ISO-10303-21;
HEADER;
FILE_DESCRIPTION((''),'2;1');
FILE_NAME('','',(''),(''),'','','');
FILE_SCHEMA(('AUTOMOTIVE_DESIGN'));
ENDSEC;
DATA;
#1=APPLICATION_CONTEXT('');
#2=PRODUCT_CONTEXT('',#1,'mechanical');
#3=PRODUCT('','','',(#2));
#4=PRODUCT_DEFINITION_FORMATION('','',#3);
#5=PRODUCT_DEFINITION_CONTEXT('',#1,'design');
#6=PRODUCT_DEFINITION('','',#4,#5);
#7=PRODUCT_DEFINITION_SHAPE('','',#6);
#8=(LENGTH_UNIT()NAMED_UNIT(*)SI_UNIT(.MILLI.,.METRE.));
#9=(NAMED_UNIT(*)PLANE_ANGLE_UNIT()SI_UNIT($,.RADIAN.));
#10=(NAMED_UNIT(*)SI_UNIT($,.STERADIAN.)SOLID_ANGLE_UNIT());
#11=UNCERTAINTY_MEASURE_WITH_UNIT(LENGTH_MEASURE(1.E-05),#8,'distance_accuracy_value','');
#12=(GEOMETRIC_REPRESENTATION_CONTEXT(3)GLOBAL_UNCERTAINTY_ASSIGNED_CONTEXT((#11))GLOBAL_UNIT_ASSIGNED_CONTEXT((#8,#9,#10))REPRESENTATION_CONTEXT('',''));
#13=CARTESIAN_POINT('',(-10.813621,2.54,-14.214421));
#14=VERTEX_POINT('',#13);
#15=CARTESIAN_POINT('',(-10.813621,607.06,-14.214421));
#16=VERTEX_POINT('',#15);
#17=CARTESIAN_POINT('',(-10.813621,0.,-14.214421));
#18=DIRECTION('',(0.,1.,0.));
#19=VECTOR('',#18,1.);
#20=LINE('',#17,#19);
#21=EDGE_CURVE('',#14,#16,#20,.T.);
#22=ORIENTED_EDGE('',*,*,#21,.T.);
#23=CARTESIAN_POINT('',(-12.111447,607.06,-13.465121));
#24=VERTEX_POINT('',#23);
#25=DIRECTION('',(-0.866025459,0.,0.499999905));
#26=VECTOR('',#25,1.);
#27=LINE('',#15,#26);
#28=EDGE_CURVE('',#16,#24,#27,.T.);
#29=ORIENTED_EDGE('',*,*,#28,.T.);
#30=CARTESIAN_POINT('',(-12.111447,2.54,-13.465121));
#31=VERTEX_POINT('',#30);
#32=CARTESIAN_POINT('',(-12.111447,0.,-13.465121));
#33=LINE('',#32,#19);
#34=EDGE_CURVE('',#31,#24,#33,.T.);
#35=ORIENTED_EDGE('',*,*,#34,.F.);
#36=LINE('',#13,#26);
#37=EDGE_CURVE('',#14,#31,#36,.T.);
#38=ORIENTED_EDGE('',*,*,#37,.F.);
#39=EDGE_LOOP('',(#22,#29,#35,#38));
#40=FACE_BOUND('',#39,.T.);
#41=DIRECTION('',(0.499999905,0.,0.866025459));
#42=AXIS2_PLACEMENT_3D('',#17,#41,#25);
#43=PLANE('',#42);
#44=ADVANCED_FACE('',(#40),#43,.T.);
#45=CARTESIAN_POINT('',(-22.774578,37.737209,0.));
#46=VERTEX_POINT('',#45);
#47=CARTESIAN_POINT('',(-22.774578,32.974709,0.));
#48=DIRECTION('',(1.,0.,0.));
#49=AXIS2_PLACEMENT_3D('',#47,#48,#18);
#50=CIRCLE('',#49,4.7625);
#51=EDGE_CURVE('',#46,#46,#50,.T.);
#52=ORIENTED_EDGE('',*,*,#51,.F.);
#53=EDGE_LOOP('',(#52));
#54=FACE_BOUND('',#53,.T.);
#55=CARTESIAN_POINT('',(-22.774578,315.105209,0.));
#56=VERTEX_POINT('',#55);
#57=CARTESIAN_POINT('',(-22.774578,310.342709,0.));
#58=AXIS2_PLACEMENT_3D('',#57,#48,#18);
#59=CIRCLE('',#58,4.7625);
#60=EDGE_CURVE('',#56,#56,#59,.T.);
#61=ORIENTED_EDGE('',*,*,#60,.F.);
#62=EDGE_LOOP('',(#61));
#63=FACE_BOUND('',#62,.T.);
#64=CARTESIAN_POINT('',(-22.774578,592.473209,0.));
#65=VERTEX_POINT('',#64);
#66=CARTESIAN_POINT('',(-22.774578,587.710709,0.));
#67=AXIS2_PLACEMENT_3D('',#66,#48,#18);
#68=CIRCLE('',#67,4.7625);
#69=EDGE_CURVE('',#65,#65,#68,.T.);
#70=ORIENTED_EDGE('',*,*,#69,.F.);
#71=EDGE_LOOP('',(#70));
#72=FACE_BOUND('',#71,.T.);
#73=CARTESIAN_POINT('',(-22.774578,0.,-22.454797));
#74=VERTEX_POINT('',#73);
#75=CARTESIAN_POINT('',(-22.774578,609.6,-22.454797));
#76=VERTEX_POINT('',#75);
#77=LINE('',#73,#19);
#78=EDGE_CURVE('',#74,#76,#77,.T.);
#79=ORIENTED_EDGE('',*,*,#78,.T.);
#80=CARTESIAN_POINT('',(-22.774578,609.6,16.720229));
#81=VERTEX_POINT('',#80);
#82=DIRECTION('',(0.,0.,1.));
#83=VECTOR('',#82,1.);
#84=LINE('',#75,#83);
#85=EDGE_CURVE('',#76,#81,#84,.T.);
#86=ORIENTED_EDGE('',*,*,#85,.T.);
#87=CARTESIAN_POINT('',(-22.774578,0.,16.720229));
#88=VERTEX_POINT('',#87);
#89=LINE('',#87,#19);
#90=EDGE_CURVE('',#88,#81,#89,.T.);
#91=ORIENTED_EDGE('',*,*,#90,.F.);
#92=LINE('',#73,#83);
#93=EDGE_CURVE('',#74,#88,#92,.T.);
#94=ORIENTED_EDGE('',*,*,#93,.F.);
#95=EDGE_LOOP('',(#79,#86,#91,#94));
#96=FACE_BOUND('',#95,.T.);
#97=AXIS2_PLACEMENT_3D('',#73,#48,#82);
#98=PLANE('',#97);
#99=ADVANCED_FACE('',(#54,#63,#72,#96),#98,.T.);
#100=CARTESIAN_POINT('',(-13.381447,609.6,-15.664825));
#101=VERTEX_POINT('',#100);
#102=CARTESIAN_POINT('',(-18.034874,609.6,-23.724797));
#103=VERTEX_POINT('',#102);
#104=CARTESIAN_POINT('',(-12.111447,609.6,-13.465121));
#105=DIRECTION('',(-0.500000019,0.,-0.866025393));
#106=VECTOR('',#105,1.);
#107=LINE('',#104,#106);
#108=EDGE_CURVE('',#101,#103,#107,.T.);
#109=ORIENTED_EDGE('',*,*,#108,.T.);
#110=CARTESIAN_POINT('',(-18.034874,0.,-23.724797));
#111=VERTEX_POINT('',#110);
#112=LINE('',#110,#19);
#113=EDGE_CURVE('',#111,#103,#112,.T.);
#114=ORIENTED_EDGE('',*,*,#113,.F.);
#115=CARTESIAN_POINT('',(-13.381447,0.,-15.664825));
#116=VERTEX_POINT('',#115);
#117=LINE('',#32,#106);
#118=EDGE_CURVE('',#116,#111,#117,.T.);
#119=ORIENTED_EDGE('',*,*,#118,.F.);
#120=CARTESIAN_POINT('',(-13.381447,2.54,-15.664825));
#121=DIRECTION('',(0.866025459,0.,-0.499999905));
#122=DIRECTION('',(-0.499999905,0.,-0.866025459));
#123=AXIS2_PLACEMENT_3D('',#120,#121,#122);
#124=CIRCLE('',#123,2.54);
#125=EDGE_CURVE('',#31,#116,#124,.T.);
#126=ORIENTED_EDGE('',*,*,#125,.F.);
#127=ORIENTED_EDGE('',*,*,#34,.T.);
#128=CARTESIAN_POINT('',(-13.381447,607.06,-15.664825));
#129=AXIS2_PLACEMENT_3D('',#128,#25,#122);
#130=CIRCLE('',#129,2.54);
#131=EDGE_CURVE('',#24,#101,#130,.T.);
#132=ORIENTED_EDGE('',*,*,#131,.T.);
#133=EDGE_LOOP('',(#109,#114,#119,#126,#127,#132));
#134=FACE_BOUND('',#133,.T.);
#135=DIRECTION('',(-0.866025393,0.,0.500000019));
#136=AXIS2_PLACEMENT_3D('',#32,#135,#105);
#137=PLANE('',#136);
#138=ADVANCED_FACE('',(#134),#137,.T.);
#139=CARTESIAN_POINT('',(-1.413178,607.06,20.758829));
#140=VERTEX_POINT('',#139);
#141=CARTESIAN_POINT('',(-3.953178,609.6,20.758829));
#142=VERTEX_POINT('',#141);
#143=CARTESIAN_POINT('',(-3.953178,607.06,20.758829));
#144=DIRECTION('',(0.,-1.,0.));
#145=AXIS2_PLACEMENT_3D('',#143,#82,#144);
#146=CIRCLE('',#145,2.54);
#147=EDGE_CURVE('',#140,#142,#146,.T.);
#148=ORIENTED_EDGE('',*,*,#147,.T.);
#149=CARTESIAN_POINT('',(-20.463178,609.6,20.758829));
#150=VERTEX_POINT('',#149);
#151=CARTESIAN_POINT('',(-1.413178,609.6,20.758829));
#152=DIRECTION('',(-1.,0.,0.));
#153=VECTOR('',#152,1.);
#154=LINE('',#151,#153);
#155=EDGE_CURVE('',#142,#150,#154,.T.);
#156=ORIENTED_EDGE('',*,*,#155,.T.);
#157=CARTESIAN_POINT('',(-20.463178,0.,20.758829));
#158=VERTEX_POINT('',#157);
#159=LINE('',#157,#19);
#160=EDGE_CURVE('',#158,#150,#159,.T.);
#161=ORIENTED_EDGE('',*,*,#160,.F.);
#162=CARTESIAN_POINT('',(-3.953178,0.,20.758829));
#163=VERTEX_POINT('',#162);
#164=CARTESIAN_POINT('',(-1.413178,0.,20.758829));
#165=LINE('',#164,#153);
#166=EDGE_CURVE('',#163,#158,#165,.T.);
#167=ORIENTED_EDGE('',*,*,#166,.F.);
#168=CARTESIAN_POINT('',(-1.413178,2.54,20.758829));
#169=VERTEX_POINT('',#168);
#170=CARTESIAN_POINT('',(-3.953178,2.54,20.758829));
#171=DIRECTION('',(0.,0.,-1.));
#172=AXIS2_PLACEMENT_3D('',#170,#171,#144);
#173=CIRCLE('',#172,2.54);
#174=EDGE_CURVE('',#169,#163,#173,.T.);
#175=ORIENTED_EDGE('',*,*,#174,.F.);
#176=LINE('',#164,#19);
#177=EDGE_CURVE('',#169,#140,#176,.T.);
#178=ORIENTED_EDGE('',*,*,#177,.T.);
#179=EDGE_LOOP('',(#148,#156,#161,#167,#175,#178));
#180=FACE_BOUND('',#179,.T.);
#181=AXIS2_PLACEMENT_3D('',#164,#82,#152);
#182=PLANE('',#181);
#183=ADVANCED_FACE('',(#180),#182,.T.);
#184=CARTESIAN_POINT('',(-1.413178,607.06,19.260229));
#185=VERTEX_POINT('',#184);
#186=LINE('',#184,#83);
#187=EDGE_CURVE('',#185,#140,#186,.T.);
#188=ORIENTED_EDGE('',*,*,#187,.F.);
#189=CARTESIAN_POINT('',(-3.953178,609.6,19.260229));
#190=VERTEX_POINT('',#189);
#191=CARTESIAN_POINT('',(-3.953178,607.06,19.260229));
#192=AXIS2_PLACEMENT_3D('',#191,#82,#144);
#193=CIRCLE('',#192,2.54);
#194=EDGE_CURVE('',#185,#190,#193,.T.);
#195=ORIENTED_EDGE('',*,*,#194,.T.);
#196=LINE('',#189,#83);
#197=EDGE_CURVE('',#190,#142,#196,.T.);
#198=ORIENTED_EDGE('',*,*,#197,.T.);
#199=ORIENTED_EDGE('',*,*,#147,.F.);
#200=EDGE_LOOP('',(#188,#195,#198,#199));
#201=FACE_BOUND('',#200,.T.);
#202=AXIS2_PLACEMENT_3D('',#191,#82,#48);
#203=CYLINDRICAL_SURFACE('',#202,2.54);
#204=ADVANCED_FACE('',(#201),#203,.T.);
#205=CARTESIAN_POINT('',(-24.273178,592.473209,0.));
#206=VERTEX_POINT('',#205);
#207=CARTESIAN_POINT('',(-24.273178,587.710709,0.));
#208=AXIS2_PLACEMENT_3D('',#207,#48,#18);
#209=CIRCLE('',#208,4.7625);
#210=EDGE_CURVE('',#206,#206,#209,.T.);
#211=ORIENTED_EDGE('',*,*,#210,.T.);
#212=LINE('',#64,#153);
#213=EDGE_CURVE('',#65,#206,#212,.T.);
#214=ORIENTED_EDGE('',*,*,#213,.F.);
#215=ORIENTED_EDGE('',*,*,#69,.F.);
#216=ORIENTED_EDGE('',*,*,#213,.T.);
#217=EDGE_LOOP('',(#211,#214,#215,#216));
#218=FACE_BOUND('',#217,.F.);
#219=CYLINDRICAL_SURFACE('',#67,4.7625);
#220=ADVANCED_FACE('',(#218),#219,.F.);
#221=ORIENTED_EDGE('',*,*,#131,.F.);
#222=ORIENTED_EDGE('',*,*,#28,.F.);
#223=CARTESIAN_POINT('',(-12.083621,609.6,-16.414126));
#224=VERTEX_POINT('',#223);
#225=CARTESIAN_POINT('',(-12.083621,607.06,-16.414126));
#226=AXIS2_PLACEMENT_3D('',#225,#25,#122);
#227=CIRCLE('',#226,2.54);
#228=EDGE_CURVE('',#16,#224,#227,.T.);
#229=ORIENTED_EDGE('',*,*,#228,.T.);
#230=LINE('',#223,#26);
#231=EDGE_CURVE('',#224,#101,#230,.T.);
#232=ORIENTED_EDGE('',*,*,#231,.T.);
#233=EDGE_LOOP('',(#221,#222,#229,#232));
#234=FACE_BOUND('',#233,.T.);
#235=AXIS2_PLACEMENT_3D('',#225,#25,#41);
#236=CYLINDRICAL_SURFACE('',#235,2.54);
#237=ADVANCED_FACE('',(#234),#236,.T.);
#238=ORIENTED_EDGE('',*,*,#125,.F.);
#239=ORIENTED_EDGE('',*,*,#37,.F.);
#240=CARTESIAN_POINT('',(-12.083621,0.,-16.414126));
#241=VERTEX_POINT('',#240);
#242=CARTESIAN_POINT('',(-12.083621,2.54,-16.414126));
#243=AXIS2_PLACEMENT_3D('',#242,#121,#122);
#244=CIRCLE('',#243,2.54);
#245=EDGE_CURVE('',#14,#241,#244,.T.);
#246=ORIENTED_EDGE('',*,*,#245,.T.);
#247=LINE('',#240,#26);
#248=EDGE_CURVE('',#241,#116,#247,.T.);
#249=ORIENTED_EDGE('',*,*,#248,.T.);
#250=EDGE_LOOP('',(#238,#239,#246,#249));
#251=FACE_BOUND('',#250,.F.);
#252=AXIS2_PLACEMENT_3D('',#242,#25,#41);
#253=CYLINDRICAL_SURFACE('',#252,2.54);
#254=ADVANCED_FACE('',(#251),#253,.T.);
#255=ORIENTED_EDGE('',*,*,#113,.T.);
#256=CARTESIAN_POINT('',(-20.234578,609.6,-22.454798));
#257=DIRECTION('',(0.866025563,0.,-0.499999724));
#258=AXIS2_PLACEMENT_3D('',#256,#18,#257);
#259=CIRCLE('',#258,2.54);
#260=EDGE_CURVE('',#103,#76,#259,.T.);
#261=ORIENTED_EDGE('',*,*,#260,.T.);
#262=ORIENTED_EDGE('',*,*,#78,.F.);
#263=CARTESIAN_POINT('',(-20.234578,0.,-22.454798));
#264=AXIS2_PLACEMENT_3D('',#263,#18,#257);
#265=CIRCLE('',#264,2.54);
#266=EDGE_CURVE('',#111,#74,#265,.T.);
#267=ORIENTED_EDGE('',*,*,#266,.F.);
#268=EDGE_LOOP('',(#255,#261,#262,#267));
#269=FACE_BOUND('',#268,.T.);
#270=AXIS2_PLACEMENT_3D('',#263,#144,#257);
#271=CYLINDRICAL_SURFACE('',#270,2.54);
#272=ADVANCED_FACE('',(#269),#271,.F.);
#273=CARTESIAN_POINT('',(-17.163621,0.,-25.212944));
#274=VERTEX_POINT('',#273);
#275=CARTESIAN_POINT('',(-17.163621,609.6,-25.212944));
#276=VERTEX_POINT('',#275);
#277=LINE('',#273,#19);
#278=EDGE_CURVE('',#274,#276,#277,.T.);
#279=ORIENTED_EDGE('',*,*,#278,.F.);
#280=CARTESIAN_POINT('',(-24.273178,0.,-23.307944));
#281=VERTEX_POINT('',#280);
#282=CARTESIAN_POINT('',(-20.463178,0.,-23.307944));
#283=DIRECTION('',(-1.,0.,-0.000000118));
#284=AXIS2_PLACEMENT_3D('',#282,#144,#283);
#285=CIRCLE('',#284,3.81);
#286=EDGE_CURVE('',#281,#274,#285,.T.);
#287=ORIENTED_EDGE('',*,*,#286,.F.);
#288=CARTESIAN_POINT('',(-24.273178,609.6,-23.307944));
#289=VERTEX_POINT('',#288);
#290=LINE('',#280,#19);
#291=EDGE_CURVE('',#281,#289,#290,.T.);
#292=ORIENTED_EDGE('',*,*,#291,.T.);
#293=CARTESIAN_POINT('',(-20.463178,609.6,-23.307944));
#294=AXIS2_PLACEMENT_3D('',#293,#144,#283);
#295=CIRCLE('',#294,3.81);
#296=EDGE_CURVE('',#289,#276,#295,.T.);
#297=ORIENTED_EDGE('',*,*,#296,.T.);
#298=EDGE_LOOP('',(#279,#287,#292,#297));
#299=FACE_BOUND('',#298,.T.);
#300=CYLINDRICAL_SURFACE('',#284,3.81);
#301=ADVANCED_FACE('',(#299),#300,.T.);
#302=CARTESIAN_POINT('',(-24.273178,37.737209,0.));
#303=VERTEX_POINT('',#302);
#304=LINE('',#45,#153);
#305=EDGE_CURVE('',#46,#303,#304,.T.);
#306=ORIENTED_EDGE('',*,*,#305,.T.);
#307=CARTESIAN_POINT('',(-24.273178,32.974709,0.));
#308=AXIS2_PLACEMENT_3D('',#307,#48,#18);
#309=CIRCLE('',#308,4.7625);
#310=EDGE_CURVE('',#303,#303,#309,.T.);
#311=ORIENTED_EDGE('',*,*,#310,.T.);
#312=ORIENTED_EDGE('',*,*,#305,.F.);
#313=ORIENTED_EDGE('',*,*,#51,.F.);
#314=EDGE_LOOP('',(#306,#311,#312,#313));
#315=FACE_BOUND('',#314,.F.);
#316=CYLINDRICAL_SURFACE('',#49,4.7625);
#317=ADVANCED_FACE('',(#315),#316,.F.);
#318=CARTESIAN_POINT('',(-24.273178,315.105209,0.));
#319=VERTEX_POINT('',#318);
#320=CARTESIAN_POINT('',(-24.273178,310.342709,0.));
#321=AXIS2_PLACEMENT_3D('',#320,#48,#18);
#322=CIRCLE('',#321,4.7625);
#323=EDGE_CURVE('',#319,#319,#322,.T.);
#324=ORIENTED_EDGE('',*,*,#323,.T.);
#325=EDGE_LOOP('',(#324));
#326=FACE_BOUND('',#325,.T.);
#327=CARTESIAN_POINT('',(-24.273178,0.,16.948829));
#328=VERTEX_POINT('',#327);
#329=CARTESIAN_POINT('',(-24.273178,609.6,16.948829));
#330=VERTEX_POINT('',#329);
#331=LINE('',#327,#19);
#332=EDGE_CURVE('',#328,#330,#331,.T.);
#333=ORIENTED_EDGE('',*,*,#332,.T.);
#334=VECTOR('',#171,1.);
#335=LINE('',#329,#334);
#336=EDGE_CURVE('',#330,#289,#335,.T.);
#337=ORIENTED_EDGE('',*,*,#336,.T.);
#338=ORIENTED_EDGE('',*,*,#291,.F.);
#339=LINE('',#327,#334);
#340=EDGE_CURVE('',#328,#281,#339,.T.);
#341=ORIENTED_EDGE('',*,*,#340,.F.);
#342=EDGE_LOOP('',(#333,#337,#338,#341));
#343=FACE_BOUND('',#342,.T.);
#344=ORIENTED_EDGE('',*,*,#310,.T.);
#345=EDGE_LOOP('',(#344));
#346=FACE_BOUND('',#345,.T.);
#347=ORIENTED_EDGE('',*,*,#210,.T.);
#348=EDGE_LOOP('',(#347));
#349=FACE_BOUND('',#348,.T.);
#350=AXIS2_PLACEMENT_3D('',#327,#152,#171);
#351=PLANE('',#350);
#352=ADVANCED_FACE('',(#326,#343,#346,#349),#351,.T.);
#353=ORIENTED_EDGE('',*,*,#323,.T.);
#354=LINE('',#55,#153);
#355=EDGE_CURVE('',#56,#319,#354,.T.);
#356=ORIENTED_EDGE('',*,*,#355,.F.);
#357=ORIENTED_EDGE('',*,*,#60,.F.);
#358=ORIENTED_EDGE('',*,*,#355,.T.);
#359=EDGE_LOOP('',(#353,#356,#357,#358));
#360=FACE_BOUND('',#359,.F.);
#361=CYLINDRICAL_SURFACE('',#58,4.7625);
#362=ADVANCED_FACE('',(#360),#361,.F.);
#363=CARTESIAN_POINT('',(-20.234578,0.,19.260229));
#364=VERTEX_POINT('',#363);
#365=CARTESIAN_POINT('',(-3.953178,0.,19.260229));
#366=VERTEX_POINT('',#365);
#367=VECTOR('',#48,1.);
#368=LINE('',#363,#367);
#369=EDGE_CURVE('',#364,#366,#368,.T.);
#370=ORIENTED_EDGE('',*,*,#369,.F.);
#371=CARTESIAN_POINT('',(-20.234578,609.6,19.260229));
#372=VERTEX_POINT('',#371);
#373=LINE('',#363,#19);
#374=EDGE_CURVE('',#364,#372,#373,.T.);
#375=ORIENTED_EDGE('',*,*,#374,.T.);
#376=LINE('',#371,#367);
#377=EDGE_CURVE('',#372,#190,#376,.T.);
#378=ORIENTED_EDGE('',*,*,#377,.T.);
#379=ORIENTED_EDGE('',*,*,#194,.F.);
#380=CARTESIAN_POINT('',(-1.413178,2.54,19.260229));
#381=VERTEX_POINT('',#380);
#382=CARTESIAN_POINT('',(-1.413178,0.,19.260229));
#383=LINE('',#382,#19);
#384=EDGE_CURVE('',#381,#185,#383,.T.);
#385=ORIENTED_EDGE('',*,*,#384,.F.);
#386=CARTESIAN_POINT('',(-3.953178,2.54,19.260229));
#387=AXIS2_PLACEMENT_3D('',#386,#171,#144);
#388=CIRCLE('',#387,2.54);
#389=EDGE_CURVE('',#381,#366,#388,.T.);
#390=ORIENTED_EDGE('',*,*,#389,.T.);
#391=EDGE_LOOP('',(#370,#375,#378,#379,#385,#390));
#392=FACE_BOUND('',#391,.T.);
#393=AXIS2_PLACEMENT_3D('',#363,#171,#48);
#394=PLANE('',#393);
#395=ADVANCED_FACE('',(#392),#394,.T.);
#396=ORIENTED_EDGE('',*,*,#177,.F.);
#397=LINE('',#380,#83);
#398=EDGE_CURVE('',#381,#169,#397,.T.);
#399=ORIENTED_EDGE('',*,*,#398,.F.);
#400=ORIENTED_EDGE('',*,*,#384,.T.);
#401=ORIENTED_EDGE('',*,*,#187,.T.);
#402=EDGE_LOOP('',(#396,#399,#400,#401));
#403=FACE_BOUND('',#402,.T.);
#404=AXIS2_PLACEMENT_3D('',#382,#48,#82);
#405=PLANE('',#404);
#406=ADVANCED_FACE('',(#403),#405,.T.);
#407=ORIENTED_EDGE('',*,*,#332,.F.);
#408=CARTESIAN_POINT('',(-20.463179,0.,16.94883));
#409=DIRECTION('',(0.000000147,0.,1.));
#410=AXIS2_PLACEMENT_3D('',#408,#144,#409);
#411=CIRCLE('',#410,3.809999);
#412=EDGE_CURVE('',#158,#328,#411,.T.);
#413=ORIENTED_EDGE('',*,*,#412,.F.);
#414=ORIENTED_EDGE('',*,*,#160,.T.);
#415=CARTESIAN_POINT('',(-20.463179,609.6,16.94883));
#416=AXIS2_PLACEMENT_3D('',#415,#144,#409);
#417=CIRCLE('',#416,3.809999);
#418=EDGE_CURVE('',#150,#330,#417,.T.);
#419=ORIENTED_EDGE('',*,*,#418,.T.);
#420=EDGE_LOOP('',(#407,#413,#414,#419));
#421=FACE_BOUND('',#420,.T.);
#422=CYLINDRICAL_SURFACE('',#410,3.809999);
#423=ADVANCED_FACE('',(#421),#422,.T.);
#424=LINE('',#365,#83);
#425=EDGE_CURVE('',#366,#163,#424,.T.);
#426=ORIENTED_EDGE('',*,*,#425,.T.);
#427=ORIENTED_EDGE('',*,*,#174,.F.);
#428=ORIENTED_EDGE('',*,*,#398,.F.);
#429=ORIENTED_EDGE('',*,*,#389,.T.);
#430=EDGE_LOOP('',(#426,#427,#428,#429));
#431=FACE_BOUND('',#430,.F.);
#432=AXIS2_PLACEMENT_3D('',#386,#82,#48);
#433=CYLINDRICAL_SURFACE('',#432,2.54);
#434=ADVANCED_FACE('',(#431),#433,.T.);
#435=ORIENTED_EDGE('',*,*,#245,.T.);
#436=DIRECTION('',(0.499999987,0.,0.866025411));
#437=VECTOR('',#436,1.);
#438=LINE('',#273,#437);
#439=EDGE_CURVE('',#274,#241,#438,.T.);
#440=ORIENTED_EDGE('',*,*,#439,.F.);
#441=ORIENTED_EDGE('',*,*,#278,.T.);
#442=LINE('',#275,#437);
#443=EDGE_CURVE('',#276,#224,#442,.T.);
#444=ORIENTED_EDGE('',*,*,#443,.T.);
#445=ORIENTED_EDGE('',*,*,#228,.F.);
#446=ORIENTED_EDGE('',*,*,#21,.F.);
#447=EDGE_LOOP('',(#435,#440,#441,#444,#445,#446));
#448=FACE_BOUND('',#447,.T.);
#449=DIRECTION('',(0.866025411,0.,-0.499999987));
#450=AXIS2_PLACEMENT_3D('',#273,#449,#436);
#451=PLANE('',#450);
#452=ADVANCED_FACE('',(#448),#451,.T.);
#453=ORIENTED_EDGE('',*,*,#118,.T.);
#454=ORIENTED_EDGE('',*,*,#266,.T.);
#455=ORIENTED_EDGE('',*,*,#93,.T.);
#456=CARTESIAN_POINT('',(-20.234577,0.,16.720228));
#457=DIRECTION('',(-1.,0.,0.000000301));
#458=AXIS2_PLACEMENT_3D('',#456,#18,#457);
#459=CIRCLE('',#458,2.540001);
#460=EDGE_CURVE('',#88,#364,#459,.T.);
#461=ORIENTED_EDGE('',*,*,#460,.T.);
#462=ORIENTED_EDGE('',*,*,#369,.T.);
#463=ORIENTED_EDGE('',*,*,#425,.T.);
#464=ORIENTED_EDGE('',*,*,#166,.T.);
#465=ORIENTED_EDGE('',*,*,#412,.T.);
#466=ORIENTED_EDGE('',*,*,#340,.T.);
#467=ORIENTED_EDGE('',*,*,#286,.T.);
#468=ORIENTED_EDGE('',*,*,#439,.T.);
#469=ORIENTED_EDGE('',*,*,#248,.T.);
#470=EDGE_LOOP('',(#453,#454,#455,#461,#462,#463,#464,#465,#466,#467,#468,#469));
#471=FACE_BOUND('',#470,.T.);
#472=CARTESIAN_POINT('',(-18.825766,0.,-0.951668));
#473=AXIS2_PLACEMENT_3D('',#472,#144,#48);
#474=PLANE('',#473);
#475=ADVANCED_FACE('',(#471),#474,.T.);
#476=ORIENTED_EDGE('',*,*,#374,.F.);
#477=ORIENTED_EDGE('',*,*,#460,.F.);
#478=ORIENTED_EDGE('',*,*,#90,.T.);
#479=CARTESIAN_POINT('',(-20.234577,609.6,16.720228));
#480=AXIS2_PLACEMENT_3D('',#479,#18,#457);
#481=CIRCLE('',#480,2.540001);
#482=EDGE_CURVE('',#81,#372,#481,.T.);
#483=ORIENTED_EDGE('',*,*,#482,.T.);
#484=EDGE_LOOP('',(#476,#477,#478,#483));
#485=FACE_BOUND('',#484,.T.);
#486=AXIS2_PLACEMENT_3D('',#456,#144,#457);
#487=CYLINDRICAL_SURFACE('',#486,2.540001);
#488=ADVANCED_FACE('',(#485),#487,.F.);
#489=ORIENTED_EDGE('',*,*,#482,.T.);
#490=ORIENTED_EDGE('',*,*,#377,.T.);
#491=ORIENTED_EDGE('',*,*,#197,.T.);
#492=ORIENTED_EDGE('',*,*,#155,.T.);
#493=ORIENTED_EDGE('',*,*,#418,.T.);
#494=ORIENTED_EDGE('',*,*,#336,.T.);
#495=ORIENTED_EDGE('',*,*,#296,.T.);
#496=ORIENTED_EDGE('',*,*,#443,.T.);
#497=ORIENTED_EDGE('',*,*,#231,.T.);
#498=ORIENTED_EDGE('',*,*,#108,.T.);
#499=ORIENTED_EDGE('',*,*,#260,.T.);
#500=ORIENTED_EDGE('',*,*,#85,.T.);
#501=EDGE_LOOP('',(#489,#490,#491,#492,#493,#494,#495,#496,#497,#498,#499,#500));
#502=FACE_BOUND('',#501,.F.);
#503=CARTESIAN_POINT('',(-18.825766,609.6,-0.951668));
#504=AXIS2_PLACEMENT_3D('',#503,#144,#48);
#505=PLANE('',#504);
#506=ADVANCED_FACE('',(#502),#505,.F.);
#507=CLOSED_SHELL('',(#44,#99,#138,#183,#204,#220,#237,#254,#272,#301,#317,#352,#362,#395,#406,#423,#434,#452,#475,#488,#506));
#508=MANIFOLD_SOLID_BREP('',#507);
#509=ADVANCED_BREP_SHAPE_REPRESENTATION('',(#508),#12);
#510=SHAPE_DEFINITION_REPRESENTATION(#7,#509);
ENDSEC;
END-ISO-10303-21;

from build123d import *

# Parameters (mm, degrees)
F1_DEPTH = 609.6
F3_R     = 2.54
F4_R     = 4.7625
F5_DEPTH = 25.4


with BuildPart() as f1:
    # F0 (on Front) → F1 (new body)
    with BuildSketch(Plane.XZ):
        with BuildLine():
            Line((-20.234578, 19.260229), (-1.413178, 19.260229))
            Line((-1.413178, 19.260229), (-1.413178, 20.758829))
            Line((-1.413178, 20.758829), (-20.463178, 20.758829))
            ThreePointArc((-20.463178, 20.758829), (-23.157255, 19.642906), (-24.273178, 16.948829))
            Line((-24.273178, 16.948829), (-24.273178, -23.307944))
            ThreePointArc((-24.273178, -23.307944), (-21.449279, -26.988121), (-17.163621, -25.212944))
            Line((-17.163621, -25.212944), (-10.813621, -14.214421))
            Line((-10.813621, -14.214421), (-12.111447, -13.465121))
            Line((-12.111447, -13.465121), (-18.034874, -23.724797))
            ThreePointArc((-18.034874, -23.724797), (-20.891979, -24.908249), (-22.774578, -22.454797))
            Line((-22.774578, -22.454797), (-22.774578, 16.720229))
            ThreePointArc((-22.774578, 16.720229), (-22.030629, 18.51628), (-20.234578, 19.260229))
        make_face()
    extrude(amount=-F1_DEPTH)

    # F3
    f3_edges = [f1.edges().sort_by_distance(p)[0] for p in [
        (-1.413178, 0, 20.009529),
        (-11.462534, 0, -13.839771),
        (-11.462534, 609.6, -13.839771),
        (-1.413178, 609.6, 20.009529),
    ]]
    fillet(f3_edges, radius=F3_R)

    # F4 (on face) → F5 (cut)
    with BuildSketch(Plane.YZ.offset(-22.774578)):
        with Locations((32.974709, 0)):
            Circle(F4_R)
        with Locations((310.342709, 0)):
            Circle(F4_R)
        with Locations((587.710709, 0)):
            Circle(F4_R)
    extrude(amount=-F5_DEPTH, mode=Mode.SUBTRACT)


solid = f1.part
